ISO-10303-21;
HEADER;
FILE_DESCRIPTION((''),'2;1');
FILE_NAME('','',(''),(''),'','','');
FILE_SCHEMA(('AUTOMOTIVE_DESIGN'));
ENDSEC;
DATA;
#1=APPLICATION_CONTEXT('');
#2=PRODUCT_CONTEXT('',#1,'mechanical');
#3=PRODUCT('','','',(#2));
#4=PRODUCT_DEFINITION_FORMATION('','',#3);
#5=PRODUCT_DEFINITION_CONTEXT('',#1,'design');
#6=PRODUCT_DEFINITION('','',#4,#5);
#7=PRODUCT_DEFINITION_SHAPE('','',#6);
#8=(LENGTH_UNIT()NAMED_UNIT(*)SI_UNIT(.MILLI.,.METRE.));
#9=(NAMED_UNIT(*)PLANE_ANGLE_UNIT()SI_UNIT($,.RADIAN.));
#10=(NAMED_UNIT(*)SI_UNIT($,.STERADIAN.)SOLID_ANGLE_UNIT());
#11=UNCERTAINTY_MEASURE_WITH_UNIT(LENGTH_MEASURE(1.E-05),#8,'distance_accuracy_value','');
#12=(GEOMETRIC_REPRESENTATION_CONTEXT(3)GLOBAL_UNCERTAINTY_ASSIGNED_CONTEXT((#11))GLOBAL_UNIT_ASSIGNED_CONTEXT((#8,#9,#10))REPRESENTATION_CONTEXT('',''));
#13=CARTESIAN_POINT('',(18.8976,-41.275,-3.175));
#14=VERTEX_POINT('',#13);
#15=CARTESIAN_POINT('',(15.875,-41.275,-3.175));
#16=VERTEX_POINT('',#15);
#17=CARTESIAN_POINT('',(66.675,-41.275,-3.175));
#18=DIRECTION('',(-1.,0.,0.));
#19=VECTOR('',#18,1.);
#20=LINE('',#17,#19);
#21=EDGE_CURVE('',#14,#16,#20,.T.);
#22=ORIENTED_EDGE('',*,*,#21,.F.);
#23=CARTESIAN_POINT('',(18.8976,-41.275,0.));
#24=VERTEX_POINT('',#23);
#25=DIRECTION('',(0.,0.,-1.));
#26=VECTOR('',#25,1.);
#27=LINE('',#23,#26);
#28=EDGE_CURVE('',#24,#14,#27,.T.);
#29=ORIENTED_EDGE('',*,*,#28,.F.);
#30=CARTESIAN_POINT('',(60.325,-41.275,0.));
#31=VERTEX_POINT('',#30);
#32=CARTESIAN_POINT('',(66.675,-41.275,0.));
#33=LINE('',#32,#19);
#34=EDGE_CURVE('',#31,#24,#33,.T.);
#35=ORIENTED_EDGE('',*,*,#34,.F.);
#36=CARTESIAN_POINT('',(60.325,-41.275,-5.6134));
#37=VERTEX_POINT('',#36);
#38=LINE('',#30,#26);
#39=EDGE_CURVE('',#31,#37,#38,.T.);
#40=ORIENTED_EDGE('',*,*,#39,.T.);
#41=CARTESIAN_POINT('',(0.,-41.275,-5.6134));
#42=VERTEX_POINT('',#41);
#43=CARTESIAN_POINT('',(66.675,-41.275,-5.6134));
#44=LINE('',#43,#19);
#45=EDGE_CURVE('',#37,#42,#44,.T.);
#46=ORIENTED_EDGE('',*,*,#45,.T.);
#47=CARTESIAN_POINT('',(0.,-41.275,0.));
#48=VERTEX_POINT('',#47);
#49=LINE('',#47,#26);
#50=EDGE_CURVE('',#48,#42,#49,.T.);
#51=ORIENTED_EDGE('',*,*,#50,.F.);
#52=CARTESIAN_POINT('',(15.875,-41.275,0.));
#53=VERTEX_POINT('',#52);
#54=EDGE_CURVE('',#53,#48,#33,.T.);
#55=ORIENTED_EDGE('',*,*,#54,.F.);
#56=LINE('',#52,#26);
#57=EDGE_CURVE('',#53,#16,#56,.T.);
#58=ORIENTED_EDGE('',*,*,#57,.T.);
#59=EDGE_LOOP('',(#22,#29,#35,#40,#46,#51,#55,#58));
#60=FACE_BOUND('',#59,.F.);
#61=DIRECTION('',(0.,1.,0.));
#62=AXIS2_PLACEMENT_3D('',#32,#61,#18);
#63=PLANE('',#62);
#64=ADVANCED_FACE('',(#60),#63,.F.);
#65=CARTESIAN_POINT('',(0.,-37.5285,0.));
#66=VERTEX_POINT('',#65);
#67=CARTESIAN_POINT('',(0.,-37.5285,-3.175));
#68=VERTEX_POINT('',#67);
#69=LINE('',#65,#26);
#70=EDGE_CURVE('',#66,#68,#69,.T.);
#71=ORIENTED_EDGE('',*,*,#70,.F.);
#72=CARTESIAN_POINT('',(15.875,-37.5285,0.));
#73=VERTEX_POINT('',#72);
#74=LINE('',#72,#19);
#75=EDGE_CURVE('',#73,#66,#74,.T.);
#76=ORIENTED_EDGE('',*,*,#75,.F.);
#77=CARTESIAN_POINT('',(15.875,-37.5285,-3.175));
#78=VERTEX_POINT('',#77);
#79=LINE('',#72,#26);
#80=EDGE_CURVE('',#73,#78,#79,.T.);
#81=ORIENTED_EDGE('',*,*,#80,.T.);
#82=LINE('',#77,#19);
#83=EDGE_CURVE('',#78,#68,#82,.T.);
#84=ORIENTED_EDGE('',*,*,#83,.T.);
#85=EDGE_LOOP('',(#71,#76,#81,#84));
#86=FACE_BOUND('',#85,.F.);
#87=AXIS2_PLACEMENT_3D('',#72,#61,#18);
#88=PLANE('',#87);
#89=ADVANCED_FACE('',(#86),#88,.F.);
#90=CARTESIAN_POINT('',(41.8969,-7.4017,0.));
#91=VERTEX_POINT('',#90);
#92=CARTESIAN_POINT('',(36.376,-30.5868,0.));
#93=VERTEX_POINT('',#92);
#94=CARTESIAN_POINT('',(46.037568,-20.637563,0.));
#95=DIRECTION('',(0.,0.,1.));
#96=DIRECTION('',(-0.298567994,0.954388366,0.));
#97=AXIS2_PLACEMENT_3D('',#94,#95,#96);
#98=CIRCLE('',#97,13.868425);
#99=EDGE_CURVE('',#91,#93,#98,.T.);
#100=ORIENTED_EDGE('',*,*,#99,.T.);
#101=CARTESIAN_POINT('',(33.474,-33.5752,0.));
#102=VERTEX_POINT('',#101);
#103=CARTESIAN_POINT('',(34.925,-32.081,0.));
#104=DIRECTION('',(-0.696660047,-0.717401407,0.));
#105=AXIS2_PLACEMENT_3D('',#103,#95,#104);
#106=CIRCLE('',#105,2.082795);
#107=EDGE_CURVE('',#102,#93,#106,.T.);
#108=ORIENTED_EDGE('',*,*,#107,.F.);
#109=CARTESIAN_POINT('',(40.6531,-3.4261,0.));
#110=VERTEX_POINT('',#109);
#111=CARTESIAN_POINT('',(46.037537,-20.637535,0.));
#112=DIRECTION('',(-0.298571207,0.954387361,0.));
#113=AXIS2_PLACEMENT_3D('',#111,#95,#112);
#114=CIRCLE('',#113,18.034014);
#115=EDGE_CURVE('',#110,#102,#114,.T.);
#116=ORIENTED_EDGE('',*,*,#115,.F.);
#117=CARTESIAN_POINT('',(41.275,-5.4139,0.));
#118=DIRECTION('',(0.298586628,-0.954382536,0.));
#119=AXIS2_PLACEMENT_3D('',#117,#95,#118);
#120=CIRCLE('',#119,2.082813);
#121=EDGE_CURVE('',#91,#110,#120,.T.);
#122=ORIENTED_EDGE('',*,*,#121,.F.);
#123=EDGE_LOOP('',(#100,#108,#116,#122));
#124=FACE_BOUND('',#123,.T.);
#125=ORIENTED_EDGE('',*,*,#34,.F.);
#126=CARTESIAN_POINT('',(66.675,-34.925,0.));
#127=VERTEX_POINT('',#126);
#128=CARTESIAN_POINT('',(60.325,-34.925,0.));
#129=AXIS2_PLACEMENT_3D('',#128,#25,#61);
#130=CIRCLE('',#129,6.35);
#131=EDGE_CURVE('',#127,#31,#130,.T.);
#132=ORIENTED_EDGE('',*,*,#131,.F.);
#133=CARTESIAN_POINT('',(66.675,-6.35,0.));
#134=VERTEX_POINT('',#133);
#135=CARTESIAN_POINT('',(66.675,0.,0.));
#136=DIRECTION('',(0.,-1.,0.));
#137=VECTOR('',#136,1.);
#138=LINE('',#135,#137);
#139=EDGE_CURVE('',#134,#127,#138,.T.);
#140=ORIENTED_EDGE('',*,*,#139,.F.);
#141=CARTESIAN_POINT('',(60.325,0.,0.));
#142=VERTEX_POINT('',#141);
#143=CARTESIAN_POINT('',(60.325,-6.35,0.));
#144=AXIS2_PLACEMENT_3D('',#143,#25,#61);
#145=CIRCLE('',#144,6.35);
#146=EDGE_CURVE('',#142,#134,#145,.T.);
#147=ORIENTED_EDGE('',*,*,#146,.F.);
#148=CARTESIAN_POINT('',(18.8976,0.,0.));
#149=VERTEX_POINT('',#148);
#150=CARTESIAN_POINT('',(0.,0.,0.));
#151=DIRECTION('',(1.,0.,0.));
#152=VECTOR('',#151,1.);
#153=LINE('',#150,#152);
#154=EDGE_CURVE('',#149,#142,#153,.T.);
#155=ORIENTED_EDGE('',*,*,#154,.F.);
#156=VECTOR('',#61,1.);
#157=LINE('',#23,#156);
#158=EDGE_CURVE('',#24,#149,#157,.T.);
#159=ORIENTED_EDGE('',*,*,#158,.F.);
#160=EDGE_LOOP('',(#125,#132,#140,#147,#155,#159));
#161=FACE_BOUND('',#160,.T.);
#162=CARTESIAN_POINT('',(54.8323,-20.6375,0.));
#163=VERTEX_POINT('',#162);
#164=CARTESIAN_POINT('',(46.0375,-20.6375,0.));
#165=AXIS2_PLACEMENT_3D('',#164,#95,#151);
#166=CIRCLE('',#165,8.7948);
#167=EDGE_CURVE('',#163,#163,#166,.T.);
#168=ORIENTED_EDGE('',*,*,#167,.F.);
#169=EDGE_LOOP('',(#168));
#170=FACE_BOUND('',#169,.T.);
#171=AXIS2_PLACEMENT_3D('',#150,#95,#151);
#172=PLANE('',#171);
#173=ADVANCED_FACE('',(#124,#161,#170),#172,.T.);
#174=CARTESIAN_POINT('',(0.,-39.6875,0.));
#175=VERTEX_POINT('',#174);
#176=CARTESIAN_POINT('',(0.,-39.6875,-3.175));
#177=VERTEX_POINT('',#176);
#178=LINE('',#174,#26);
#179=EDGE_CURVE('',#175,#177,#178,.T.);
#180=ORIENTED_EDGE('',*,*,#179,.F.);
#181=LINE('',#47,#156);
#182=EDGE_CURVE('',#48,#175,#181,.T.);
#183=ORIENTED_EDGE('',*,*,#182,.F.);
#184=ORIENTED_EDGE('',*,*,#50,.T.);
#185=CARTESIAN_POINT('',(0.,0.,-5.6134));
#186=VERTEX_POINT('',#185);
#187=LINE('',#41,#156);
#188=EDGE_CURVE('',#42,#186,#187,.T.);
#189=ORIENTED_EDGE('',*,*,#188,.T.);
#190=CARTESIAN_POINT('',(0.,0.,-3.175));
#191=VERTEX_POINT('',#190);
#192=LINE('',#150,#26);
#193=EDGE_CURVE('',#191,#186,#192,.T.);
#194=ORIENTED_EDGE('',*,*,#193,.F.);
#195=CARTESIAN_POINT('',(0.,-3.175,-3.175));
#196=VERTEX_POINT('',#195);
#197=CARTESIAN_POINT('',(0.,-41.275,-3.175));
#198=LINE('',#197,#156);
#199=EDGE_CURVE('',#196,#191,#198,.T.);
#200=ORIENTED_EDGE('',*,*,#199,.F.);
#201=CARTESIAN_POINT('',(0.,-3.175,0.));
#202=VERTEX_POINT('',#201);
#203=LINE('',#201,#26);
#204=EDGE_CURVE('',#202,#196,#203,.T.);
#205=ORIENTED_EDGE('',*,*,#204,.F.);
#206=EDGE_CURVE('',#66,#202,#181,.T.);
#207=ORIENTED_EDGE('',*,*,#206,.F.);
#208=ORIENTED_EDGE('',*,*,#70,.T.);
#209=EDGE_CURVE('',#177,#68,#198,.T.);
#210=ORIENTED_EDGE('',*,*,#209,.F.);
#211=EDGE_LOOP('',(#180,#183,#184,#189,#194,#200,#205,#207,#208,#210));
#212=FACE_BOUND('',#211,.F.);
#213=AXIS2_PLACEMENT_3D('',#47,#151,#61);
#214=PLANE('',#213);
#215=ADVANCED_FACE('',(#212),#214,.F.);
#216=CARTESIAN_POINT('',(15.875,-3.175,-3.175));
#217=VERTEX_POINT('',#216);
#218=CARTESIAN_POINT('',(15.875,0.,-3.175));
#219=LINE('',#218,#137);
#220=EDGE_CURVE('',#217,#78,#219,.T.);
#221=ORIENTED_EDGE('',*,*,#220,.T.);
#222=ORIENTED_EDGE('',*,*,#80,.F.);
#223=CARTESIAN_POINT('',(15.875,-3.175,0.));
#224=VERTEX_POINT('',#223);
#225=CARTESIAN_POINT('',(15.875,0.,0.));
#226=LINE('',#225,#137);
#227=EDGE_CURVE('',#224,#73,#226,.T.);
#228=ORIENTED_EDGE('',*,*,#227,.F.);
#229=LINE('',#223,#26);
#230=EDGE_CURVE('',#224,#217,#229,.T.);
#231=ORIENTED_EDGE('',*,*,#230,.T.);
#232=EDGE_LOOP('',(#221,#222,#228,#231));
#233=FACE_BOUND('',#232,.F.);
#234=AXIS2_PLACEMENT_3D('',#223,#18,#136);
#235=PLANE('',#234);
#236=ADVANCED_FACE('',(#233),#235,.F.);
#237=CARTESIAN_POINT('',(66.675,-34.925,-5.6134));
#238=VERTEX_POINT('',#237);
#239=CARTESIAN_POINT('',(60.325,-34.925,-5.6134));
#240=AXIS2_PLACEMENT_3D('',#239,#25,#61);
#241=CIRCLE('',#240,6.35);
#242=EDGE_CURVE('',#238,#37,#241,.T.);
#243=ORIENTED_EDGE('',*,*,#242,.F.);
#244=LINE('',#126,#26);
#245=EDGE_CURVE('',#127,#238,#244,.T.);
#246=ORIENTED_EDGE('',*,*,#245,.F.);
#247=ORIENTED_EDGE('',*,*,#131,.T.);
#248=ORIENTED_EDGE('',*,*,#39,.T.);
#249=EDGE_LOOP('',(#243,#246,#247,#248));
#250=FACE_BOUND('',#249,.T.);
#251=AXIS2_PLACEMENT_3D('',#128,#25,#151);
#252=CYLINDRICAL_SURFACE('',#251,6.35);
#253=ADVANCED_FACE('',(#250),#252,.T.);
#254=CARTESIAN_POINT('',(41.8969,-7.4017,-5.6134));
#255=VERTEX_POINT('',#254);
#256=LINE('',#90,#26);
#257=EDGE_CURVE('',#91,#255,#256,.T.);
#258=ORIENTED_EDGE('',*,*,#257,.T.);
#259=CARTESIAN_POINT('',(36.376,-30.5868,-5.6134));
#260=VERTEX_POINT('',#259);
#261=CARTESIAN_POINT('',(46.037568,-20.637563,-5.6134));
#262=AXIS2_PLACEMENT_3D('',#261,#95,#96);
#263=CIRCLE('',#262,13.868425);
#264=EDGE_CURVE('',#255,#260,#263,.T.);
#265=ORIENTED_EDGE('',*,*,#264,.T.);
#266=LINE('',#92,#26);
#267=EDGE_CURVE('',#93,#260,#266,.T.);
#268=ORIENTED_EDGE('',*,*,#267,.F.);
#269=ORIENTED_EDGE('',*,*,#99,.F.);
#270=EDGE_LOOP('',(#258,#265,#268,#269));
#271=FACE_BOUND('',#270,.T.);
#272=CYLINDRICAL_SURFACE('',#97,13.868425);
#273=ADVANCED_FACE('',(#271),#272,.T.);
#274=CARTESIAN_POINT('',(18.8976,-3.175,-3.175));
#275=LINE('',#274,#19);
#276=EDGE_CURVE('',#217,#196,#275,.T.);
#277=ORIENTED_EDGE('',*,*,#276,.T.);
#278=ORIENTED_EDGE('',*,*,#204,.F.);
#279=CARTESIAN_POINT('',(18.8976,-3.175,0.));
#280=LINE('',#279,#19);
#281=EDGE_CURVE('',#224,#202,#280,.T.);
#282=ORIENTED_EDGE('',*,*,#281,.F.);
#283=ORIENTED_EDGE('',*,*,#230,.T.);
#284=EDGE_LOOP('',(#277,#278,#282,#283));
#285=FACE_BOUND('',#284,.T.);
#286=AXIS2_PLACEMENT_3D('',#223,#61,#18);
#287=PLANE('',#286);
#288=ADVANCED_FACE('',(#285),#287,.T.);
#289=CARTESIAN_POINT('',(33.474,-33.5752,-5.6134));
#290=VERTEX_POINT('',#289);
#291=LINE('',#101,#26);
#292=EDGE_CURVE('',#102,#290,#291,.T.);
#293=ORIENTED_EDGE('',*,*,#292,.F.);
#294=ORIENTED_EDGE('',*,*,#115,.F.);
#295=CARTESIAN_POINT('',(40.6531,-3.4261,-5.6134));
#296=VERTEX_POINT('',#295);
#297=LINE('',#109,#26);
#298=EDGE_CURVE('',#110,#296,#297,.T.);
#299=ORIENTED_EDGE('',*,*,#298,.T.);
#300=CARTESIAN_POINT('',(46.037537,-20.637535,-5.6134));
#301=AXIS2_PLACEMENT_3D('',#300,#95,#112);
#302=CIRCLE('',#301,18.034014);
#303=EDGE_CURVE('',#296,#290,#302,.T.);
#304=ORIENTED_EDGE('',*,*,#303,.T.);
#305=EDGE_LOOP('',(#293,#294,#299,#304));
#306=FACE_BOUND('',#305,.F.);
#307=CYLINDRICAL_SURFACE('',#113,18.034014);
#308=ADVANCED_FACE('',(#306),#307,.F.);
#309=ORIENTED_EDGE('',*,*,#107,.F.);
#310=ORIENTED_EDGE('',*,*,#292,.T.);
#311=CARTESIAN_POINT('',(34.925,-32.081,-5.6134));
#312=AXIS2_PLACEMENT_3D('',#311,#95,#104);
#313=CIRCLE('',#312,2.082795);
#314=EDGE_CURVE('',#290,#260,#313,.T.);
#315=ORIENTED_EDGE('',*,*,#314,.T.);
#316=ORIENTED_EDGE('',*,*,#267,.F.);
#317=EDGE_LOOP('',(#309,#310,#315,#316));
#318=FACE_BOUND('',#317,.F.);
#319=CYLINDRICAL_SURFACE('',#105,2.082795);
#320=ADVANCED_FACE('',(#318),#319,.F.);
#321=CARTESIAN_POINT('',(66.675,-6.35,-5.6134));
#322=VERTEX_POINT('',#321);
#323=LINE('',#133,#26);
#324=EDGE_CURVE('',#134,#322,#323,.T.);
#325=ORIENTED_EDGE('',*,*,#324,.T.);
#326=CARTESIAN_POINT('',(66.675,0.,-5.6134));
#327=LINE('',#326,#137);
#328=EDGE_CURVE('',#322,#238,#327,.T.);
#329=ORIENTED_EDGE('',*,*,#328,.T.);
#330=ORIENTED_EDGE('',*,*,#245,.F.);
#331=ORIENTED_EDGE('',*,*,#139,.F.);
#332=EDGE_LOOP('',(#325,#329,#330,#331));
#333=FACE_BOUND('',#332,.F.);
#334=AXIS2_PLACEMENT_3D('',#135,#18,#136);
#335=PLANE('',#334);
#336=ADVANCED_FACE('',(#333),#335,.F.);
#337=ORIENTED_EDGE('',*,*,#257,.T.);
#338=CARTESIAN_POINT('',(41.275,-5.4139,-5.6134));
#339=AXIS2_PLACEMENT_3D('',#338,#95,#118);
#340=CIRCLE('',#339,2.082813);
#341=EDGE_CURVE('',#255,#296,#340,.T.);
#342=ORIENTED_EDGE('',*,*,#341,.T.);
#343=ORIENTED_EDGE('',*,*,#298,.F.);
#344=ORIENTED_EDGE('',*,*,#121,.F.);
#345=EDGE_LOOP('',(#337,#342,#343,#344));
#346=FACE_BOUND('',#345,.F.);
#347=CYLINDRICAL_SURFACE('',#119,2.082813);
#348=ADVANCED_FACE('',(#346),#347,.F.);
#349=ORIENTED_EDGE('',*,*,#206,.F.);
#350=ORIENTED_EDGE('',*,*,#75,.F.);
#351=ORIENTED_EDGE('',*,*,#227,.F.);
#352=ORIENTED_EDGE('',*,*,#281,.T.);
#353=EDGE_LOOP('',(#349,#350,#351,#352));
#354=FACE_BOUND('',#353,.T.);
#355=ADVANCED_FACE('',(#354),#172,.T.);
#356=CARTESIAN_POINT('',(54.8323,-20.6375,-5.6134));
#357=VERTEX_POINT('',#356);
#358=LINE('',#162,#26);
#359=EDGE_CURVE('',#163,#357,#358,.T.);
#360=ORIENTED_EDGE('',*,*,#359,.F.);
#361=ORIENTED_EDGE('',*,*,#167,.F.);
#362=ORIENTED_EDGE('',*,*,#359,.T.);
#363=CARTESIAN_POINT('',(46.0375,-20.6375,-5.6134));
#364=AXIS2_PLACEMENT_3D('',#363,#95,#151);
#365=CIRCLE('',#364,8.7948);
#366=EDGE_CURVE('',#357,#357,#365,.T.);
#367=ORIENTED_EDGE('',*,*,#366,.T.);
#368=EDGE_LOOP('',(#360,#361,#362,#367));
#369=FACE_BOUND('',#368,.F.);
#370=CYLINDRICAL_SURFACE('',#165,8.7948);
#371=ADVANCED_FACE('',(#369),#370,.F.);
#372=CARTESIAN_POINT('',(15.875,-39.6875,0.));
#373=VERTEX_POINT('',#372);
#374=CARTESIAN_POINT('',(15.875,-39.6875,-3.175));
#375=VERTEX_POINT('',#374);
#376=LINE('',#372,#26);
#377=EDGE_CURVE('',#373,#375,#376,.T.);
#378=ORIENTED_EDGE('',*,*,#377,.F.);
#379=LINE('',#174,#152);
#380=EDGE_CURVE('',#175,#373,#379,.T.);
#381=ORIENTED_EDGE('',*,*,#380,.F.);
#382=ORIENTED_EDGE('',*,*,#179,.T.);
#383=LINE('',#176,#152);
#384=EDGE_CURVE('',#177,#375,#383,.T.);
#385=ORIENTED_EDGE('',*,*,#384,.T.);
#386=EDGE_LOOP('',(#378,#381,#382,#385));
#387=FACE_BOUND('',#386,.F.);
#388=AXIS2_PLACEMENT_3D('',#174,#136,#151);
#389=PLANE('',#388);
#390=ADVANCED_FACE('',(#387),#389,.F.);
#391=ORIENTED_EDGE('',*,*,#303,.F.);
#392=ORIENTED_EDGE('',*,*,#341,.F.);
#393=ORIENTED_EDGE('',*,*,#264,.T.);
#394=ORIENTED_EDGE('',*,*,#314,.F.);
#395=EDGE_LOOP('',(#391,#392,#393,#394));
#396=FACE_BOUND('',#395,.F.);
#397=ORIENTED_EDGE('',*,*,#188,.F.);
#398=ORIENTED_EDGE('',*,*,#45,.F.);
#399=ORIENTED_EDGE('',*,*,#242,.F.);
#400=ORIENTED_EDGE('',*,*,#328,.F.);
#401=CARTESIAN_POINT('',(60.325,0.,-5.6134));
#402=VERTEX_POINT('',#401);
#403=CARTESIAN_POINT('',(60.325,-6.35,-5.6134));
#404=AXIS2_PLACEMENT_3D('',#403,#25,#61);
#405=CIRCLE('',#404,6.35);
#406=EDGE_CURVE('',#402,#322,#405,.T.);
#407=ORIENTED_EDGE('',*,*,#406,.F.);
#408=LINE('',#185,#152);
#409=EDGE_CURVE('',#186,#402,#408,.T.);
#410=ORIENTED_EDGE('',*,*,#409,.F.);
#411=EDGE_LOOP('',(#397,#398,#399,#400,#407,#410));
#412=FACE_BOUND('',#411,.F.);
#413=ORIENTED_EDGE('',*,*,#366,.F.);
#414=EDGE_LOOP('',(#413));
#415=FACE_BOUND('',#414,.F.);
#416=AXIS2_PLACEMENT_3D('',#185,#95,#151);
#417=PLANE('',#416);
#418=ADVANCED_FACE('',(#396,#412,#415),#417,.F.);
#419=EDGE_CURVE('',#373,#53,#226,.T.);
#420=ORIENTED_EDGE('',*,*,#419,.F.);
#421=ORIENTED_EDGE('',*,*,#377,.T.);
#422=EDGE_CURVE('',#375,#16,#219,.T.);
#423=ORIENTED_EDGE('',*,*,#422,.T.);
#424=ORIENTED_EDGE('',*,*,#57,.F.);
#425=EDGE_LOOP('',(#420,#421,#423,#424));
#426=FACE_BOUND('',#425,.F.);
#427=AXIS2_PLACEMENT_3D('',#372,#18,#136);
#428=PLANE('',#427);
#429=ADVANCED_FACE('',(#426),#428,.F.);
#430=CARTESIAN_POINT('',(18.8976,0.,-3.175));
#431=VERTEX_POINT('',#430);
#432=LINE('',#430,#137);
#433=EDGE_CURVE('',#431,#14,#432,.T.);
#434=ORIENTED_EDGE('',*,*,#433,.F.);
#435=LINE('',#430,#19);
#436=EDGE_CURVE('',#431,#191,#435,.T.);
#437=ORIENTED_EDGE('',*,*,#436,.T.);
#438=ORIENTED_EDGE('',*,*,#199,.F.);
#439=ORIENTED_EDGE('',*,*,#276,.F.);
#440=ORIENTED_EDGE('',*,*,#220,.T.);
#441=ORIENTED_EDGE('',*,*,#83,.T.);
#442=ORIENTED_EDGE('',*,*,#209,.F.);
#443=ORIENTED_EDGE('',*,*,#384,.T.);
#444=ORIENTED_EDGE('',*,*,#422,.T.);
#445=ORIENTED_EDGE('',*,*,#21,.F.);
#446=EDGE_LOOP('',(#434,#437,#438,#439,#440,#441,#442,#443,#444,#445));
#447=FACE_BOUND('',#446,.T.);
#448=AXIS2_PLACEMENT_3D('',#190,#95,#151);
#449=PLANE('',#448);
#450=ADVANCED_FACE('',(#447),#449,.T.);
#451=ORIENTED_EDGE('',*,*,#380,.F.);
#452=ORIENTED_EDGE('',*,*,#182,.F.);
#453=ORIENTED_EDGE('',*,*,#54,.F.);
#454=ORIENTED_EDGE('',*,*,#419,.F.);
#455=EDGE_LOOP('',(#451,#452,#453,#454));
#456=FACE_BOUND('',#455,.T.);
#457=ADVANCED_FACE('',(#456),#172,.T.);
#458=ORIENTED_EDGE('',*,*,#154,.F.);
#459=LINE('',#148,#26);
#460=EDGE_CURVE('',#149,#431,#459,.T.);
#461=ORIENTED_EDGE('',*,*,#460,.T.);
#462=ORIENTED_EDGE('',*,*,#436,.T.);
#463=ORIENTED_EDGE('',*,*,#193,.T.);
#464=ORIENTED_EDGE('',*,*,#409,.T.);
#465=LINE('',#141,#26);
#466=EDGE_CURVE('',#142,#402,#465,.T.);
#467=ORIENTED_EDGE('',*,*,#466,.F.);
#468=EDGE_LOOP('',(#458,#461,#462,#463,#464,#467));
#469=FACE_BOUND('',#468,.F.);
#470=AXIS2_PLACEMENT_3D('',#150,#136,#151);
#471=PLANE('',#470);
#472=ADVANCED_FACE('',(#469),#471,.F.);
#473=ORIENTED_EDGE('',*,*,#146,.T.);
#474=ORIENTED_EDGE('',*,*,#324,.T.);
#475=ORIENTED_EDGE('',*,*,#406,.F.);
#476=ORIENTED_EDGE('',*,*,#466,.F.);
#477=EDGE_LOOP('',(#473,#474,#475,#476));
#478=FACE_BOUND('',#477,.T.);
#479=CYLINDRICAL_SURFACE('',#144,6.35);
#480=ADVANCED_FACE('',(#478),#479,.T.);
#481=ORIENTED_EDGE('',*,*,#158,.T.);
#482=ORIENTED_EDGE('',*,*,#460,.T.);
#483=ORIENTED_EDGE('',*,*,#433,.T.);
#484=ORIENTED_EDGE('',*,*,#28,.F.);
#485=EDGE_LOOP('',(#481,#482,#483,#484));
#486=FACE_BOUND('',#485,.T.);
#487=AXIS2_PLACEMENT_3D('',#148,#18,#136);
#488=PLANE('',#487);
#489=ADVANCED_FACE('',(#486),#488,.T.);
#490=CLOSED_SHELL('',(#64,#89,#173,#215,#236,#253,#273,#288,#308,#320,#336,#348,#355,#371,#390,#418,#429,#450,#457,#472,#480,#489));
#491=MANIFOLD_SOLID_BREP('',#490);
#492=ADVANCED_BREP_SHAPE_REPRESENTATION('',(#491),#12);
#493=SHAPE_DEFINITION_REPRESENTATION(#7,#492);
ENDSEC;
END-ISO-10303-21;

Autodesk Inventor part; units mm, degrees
ref_plane "YZ Plane" through (0, 0, 0) normal (1, 0, 0) x (0, 1, 0)
ref_plane "XZ Plane" through (0, 0, 0) normal (0, 1, 0) x (-1, 0, 0)
ref_plane "XY Plane" through (0, 0, 0) normal (0, 0, 1) x (1, 0, 0)
sketch "Sketch1" plane through (0, 0, 0) normal (0, 0, 1) x (1, 0, 0)
  line L0 (0, 0) -> (66.675, 0)
  line L1 (66.675, 0) -> (66.675, -41.275)
  line L2 (66.675, -41.275) -> (0, -41.275)
  line L3 (0, -41.275) -> (0, 0)
  arc A0 (40.6531, -3.4261) -> (33.474, -33.5752) centre (46.0375, -20.6375) ccw
  arc A1 (41.8969, -7.4017) -> (36.376, -30.5868) centre (46.0375, -20.6375) ccw
  arc A2 (41.8969, -7.4017) -> (40.6531, -3.4261) centre (41.275, -5.4139) ccw
  arc A3 (33.474, -33.5752) -> (36.376, -30.5868) centre (34.925, -32.081) ccw
  circle A4 centre (46.0375, -20.6375) radius 8.7948
  dimension "d0" = 41.275
  dimension "d1" = 66.675
  dimension "d8" = 17.5895
  dimension "d9" = 20.6375
  dimension "d25" = 20.6375
  dimension "d32" = 25.4
  dimension "d33" = 31.75
  dimension "d49" = 2.0828
  dimension "d50" = 15.9512
extrude "Extrusion1" add sketch "Sketch1" against normal blind 5.6134
sketch "Sketch3" plane through (0, 0, 0) normal (0, 0, 1) x (1, 0, 0)
  line L0 (0, 0) -> (66.675, 0) projected
  line L1 (0, -41.275) -> (0, 0) projected
  line L2 (66.675, -41.275) -> (0, -41.275) projected
  line L3 (0, 0) -> (18.8976, 0)
  line L4 (18.8976, 0) -> (18.8976, -3.175)
  line L5 (18.8976, -3.175) -> (0, -3.175)
  line L6 (0, -3.175) -> (0, 0)
  line L7 (18.8976, 0) -> (15.875, 0)
  line L8 (15.875, 0) -> (15.875, -41.275)
  line L9 (15.875, -41.275) -> (18.8976, -41.275)
  line L10 (18.8976, -41.275) -> (18.8976, 0)
  line L11 (15.875, -41.275) -> (15.875, -3.175)
  line L12 (15.875, -41.275) -> (0, -41.275)
  line L13 (0, -41.275) -> (0, 0)
  line L14 (0, -39.6875) -> (15.875, -39.6875)
  line L15 (15.875, -39.6875) -> (15.875, -37.5285)
  line L16 (15.875, -37.5285) -> (0, -37.5285)
  line L17 (0, -37.5285) -> (0, -39.6875)
  dimension "d26" = 15.875
  dimension "d27" = 3.0226
  dimension "d28" = 3.175
  dimension "d38" = 1.5875
  dimension "d39" = 2.159
extrude "Extrusion3" cut sketch "Sketch3" against normal blind 3.175 contours L0 L8 L5 L1 | L0 L4 L5 L8 | L5 L10 L2 L8 | L16 L8 L14 L1
fillet "Fillet1" radius 6.35 2 edges at (66.675, 0, -2.8067) (66.675, -41.275, -2.8067)
properties part number "Lidar Sensor Case v4 Piece 2"
